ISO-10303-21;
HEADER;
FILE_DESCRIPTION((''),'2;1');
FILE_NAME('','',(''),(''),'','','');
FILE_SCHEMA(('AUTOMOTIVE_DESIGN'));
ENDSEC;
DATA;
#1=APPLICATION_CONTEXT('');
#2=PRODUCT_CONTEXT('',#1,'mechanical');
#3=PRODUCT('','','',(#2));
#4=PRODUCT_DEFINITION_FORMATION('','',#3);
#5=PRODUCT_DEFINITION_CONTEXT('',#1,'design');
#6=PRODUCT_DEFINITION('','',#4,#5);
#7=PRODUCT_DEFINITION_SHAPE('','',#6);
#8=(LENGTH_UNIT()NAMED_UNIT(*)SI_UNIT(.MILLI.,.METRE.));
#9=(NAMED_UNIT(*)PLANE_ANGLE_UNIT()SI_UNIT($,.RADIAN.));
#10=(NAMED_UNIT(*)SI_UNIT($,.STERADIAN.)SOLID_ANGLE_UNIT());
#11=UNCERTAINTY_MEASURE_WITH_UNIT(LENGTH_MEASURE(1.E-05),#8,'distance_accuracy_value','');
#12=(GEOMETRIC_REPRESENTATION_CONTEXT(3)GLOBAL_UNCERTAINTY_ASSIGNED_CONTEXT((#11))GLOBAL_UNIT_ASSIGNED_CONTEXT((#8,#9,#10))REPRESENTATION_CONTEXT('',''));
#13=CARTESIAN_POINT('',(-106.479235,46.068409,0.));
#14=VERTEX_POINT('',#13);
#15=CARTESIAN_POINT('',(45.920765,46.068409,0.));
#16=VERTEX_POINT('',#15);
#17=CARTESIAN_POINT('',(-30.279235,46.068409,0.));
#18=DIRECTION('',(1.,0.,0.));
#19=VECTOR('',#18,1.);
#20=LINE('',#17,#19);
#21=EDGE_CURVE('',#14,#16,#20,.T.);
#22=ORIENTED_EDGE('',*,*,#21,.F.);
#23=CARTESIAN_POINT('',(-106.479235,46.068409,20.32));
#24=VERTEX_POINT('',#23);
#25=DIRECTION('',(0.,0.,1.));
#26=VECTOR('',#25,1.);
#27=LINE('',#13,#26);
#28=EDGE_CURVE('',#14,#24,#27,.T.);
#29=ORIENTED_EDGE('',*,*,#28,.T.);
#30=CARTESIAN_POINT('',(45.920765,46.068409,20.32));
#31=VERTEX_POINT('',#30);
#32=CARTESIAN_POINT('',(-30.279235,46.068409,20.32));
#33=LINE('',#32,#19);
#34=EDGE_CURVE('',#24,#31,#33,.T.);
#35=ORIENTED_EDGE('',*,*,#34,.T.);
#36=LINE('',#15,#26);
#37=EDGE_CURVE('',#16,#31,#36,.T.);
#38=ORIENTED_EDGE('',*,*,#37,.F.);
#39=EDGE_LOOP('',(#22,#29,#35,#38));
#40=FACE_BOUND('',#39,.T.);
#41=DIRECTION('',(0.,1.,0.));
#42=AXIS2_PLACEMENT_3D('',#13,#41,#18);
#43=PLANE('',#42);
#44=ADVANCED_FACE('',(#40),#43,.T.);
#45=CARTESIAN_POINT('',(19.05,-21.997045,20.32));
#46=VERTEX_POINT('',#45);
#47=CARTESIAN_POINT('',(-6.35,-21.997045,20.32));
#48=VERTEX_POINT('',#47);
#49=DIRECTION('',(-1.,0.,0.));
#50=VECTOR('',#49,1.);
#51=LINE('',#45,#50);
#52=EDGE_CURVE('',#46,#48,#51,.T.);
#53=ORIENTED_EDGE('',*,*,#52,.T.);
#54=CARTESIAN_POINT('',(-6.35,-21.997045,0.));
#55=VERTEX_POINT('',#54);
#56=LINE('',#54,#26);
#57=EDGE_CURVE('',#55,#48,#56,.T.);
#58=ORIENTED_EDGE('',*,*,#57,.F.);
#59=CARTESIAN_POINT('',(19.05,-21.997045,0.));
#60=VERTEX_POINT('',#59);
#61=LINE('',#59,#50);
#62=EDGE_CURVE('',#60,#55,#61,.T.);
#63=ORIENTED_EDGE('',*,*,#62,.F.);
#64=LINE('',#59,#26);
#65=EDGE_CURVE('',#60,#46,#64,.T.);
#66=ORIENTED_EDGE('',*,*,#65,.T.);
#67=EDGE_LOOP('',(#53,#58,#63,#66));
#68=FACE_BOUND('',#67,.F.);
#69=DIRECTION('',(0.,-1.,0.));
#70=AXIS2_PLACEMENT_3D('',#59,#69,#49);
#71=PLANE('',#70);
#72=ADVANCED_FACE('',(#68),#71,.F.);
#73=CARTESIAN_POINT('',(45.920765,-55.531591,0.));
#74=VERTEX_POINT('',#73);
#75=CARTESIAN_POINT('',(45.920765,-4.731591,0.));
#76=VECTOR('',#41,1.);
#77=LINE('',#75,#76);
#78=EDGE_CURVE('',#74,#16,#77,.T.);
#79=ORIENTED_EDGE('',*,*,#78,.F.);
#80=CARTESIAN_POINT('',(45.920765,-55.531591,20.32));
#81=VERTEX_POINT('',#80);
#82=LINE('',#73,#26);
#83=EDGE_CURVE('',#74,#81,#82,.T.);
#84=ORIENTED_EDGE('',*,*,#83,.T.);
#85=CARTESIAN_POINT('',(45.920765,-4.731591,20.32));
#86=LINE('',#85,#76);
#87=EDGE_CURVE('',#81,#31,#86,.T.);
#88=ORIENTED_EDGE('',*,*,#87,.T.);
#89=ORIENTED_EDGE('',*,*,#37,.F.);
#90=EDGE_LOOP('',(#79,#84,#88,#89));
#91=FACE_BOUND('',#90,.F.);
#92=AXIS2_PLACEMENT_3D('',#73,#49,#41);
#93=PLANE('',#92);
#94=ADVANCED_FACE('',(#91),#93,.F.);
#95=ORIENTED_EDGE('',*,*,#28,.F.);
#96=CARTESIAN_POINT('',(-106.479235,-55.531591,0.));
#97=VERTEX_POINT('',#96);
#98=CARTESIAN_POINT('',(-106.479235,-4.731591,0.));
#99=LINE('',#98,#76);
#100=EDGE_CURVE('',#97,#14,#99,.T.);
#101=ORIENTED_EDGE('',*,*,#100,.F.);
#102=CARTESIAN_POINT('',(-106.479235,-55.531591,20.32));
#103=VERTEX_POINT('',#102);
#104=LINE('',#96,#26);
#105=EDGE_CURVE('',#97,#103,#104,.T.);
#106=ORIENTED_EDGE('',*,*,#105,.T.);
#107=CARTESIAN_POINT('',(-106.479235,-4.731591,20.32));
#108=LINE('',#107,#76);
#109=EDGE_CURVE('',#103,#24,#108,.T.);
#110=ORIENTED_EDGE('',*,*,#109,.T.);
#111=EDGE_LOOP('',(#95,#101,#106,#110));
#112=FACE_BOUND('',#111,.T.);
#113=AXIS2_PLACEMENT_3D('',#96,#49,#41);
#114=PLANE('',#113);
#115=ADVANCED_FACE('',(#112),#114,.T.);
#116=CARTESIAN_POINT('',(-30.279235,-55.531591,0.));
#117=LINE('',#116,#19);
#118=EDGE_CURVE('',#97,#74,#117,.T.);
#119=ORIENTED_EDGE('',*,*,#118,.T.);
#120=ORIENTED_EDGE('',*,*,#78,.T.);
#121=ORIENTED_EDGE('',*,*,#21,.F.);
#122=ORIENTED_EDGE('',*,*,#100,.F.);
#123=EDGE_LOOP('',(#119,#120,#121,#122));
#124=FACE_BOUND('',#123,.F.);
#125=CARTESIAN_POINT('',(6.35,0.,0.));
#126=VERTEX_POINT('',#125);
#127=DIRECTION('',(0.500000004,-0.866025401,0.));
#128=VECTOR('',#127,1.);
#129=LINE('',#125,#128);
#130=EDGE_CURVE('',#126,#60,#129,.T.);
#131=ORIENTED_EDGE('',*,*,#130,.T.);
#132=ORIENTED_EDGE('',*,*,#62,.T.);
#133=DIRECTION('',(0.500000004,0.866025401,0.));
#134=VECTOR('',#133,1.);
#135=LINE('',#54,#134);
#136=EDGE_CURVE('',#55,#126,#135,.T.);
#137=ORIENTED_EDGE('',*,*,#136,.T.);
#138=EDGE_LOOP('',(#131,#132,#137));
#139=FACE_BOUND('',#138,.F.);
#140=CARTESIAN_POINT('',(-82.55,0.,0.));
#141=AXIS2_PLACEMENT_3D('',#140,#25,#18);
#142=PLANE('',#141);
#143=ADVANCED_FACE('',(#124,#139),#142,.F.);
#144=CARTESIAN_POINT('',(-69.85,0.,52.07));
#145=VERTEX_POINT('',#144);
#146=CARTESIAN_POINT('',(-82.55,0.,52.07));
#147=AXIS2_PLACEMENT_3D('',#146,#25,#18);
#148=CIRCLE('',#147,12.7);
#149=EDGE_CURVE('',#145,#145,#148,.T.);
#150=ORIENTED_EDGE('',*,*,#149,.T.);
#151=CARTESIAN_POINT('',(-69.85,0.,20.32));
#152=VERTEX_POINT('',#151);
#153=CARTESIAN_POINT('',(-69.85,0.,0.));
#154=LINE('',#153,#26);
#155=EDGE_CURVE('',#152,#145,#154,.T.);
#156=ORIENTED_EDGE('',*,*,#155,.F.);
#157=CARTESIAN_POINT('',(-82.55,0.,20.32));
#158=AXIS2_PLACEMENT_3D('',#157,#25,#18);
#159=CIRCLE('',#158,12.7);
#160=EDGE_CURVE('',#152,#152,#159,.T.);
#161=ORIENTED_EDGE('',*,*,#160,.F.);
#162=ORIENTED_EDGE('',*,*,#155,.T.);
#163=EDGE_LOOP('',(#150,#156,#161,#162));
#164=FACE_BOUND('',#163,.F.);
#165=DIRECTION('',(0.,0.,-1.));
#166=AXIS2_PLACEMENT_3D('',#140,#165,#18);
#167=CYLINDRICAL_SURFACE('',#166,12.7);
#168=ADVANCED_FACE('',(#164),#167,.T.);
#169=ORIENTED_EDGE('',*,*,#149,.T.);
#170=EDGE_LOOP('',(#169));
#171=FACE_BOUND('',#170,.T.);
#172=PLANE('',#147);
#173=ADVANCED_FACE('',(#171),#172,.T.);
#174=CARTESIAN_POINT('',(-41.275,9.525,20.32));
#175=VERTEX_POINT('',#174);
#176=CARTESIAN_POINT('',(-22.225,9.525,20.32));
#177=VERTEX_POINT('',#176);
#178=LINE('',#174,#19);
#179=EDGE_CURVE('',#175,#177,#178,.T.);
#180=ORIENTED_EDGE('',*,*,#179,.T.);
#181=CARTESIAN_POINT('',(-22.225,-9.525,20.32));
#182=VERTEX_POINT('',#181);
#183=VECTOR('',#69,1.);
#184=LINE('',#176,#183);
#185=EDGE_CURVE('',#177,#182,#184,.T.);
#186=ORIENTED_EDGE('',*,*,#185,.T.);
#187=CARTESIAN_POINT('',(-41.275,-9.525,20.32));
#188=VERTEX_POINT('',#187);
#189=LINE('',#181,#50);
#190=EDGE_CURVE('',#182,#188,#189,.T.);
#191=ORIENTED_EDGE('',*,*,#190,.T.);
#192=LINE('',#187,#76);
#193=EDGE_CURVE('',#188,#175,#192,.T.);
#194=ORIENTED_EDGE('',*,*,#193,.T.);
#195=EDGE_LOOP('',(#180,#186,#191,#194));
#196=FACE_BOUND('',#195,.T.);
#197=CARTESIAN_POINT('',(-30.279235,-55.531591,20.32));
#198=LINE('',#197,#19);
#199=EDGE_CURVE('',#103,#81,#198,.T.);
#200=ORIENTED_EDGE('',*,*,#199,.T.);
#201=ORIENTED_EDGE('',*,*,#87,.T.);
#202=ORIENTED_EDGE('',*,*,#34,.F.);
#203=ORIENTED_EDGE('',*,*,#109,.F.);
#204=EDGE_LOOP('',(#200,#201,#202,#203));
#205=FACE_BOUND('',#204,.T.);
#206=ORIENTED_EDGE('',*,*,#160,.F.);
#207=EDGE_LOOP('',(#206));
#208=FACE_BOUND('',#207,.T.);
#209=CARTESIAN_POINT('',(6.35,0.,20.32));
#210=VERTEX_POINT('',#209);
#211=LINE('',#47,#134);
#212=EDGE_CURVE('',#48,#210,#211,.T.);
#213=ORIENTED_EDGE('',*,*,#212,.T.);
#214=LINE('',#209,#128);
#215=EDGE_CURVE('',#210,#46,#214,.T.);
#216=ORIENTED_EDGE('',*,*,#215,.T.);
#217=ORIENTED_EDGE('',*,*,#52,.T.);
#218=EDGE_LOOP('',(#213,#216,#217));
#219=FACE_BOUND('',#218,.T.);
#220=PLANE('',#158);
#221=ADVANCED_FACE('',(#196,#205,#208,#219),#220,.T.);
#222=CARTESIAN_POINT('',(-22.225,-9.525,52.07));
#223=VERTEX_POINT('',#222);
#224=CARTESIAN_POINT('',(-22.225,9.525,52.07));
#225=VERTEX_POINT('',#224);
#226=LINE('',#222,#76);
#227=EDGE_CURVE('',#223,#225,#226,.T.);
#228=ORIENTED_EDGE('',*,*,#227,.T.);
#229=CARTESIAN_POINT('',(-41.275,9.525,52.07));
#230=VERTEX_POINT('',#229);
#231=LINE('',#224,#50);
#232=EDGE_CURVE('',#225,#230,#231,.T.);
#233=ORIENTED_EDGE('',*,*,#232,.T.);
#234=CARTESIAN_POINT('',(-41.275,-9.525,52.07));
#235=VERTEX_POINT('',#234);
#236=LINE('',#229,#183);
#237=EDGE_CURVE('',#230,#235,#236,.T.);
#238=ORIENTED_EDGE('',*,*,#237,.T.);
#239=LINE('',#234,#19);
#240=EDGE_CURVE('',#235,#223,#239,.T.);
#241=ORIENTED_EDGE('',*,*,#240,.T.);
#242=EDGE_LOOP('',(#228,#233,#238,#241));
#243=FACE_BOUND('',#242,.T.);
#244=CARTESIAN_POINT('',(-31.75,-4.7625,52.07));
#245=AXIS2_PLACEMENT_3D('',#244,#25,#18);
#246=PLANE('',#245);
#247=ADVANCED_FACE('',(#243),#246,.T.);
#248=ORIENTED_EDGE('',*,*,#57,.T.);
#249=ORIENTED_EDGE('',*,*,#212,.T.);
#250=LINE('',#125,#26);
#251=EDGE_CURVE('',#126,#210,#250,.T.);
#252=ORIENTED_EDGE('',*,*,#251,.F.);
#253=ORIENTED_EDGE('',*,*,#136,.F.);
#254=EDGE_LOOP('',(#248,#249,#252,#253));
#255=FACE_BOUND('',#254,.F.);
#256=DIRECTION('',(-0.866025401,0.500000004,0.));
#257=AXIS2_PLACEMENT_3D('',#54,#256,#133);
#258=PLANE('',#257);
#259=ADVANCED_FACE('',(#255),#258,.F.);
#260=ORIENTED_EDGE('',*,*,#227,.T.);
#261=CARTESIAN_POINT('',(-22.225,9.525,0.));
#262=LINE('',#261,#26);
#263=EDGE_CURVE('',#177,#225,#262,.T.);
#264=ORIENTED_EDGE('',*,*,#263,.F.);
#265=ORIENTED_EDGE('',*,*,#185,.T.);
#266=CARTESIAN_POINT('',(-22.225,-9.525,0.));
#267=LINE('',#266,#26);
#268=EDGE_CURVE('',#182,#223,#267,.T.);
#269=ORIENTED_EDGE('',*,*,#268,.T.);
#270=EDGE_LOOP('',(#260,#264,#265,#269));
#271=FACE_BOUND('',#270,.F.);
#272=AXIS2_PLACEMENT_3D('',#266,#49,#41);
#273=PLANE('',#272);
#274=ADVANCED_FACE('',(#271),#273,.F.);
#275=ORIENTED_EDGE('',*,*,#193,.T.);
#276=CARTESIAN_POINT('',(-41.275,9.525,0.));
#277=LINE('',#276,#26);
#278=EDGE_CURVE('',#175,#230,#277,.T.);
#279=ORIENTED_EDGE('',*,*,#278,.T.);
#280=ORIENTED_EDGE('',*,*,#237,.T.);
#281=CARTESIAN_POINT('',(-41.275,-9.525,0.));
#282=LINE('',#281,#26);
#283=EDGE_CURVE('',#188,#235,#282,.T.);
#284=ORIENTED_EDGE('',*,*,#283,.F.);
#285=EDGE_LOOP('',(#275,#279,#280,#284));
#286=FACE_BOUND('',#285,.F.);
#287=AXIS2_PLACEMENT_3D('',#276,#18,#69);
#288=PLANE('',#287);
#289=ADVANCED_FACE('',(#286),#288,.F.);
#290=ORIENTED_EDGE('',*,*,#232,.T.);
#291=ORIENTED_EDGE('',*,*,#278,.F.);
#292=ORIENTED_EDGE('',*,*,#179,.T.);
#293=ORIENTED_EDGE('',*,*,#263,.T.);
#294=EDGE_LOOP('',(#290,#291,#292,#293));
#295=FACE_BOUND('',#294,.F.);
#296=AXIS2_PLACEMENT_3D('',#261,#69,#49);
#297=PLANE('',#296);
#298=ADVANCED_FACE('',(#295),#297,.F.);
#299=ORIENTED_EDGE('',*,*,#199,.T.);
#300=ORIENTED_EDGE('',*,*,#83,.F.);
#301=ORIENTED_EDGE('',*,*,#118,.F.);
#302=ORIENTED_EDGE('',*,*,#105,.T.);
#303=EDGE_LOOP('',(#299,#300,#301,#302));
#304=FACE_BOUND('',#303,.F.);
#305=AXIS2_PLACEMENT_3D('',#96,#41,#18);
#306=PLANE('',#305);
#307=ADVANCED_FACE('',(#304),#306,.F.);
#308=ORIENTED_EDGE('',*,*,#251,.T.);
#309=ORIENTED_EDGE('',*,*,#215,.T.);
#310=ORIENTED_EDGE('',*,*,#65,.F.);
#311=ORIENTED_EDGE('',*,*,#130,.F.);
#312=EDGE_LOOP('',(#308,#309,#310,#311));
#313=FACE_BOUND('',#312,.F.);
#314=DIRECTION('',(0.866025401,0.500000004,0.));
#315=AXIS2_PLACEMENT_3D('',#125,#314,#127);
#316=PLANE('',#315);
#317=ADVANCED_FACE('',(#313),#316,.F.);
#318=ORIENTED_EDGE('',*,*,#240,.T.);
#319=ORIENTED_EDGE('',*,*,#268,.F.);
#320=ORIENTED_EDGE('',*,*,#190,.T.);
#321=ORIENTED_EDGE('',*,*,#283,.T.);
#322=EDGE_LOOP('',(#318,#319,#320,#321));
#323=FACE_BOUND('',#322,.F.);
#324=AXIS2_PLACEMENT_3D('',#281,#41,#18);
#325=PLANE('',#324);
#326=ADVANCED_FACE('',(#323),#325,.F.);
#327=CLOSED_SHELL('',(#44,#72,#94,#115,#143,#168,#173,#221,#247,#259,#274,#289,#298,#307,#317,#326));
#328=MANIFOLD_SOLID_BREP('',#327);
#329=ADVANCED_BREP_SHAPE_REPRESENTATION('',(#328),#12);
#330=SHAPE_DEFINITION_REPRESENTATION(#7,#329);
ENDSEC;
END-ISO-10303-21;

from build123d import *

# Parameters (mm, degrees)
F0_R     = 12.7
F0_W     = 152.4
F0_H     = 101.6
F1_DEPTH = 20.32
F2_DEPTH = 52.07
F3_DEPTH = 52.07


with BuildPart() as f1:
    # F0 (on Top) → F1 (new body)
    with BuildSketch(Plane.XY):
        with Locations((-82.55, 0)):
            Circle(F0_R)
        with Locations((-30.279235, -4.731591)):
            Rectangle(F0_W, F0_H)
        Polygon((-6.35, -21.997045), (6.35, 0), (19.05, -21.997045), align=None, mode=Mode.SUBTRACT)
        with Locations((-82.55, 0)):
            Circle(F0_R, mode=Mode.SUBTRACT)
        Polygon((-22.225, 9.525), (-22.225, 0), (-22.225, -9.525), (-41.275, -9.525), (-41.275, 0), (-41.275, 9.525), align=None, mode=Mode.SUBTRACT)
    extrude(amount=F1_DEPTH)

    # F0 (on Top) → F2 (join)
    with BuildSketch(Plane.XY):
        Polygon((-22.225, -9.525), (-22.225, 0), (-31.75, 0), (-41.275, 0), (-41.275, -9.525), align=None)
        Polygon((-31.75, 0), (-22.225, 0), (-22.225, 9.525), (-41.275, 9.525), (-41.275, 0), align=None)
    extrude(amount=F2_DEPTH)

    # F0 (on Top) → F3 (join)
    with BuildSketch(Plane.XY):
        with Locations((-82.55, 0)):
            Circle(F0_R)
    extrude(amount=F3_DEPTH)


solid = f1.part
